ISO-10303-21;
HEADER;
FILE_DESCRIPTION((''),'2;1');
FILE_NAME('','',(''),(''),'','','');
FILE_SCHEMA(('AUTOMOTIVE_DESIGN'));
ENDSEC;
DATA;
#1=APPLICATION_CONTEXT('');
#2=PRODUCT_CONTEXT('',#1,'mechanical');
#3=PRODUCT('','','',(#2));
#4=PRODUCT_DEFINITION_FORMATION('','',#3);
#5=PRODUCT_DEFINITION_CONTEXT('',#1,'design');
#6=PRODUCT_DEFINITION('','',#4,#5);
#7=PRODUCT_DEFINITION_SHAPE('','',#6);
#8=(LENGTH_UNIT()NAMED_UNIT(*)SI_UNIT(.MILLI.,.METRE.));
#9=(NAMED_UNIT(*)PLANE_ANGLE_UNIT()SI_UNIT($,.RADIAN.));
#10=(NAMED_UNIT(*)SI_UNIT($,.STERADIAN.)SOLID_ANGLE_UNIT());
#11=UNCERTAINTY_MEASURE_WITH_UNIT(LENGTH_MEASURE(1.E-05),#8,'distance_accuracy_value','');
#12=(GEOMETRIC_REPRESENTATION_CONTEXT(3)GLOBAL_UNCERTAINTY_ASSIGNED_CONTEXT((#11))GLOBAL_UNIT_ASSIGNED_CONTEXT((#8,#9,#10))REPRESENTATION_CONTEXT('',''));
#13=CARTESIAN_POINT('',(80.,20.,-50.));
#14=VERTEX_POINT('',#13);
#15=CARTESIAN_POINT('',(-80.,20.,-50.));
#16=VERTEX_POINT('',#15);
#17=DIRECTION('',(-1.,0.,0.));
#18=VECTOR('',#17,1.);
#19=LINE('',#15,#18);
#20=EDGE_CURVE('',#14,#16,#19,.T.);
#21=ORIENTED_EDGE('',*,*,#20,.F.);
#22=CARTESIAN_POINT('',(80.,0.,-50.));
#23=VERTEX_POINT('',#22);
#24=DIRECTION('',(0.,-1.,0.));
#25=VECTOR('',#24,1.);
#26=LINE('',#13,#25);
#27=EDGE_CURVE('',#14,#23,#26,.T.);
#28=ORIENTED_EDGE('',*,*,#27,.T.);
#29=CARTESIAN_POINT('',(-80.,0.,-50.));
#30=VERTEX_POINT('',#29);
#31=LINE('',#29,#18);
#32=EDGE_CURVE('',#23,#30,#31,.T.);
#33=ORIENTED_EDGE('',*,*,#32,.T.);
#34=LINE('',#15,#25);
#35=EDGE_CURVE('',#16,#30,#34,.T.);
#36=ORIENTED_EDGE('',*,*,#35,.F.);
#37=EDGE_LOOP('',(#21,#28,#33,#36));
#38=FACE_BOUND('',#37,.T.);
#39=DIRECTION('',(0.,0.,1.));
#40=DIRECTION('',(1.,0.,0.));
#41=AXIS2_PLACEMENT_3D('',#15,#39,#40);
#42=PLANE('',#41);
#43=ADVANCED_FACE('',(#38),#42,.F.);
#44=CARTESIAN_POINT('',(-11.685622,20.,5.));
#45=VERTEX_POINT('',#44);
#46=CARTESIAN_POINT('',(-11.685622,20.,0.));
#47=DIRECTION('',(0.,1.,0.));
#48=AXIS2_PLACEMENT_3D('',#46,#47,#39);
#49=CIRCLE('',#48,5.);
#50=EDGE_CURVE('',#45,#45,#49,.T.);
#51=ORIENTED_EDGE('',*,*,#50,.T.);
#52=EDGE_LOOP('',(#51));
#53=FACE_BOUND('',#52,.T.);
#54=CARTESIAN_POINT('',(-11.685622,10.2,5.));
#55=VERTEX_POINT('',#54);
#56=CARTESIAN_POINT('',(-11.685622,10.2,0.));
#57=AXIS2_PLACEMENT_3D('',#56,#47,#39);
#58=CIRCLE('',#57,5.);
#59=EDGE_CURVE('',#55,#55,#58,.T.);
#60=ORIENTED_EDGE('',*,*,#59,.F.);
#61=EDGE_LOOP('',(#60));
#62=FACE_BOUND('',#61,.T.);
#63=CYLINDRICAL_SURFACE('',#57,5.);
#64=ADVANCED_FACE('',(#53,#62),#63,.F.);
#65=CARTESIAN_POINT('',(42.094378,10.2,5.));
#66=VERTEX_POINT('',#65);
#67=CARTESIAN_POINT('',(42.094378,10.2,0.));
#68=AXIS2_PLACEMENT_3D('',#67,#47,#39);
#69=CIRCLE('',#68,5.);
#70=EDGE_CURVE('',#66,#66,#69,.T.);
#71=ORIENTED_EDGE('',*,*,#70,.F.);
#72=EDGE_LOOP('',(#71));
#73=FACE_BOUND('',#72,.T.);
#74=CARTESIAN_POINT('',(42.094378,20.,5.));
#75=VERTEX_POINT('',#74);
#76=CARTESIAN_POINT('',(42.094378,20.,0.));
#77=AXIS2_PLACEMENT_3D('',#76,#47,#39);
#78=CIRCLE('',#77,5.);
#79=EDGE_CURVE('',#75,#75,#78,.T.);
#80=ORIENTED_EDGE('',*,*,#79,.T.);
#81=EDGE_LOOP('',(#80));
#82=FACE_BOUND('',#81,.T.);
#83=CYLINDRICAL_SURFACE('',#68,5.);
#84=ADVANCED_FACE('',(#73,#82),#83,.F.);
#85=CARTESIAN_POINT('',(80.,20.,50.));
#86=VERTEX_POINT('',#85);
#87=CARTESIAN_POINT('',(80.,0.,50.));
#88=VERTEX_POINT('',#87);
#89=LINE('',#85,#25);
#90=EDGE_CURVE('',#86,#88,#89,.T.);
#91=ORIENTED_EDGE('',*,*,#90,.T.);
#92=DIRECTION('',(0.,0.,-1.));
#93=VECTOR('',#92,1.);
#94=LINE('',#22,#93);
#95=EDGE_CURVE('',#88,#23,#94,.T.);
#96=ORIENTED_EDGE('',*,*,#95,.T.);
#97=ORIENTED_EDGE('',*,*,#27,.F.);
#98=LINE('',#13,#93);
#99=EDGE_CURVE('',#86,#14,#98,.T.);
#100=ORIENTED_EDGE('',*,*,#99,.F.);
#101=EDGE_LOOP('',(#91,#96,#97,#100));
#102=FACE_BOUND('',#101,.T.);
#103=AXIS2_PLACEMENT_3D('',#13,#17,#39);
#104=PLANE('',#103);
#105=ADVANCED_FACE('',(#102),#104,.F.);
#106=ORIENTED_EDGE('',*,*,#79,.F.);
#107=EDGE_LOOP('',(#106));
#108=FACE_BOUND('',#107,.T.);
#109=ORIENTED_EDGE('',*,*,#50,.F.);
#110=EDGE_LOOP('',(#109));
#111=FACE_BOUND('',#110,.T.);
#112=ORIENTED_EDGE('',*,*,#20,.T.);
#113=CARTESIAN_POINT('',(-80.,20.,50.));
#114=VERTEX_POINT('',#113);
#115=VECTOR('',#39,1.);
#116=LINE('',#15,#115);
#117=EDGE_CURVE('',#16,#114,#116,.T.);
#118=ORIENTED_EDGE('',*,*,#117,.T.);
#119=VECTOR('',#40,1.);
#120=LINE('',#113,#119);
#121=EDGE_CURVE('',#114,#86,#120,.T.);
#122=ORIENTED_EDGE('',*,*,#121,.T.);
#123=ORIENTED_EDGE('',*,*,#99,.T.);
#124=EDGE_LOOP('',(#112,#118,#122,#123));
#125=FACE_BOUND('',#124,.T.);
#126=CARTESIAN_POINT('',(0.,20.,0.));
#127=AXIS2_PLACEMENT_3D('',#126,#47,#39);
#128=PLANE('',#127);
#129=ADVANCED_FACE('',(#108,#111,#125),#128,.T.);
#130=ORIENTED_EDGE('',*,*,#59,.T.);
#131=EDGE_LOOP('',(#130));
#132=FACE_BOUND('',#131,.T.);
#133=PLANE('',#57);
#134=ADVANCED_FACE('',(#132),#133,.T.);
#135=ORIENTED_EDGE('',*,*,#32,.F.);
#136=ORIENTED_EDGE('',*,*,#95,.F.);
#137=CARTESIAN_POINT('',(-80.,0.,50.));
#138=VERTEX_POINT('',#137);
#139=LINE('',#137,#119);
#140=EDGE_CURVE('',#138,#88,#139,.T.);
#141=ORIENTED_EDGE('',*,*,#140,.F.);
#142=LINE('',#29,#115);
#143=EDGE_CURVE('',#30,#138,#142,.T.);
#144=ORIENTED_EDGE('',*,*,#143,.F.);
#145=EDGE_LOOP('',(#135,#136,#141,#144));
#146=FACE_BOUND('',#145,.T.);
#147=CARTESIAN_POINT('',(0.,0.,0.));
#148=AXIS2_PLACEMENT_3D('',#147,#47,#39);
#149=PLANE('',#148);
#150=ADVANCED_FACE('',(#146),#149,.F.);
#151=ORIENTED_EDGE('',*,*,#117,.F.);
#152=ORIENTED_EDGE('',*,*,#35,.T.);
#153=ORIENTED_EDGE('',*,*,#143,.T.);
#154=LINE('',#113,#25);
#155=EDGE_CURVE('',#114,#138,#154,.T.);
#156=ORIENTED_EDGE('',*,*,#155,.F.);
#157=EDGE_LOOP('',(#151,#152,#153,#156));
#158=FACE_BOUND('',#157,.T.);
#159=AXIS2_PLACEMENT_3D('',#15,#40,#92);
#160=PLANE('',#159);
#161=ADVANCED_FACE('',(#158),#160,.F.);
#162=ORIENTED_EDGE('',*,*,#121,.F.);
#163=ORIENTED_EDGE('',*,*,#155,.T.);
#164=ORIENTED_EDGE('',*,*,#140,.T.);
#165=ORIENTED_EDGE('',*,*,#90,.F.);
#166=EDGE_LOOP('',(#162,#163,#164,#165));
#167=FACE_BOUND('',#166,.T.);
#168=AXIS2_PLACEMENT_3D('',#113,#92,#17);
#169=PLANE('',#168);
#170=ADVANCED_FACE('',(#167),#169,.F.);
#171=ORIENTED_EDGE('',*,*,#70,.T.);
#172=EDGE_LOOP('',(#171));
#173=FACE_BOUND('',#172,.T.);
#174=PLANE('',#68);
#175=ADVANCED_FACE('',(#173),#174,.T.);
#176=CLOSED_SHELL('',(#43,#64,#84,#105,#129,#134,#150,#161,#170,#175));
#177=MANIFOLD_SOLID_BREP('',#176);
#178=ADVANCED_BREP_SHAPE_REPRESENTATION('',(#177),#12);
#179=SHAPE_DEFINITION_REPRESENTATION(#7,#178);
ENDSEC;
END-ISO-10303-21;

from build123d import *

# Parameters (mm, degrees)
CROQUIS1_W              = 160
CROQUIS1_H              = 100
SALIENTE_EXTRUIR1_DEPTH = 20
CROQUIS2_R              = 5
CORTAR_EXTRUIR1_DEPTH   = 9.8


with BuildPart() as part:
    # Croquis1 → Saliente-Extruir1 (new body)
    with BuildSketch(Plane(origin=(0, 0, 0), x_dir=(1, 0, 0), z_dir=(0, 1, 0))):
        Rectangle(CROQUIS1_W, CROQUIS1_H)
    extrude(amount=SALIENTE_EXTRUIR1_DEPTH)

    # Croquis2 → Cortar-Extruir1 (cut)
    with BuildSketch(Plane(origin=(0, 20, 0), x_dir=(1, 0, 0), z_dir=(0, 1, 0))):
        with Locations(Location((-11.685621738, 0, 0), (0, 0, 270))):
            Circle(CROQUIS2_R)
        with Locations(Location((42.094378262, 0, 0), (0, 0, 270))):
            Circle(CROQUIS2_R)
    extrude(amount=-CORTAR_EXTRUIR1_DEPTH, mode=Mode.SUBTRACT)


solid = part.part
